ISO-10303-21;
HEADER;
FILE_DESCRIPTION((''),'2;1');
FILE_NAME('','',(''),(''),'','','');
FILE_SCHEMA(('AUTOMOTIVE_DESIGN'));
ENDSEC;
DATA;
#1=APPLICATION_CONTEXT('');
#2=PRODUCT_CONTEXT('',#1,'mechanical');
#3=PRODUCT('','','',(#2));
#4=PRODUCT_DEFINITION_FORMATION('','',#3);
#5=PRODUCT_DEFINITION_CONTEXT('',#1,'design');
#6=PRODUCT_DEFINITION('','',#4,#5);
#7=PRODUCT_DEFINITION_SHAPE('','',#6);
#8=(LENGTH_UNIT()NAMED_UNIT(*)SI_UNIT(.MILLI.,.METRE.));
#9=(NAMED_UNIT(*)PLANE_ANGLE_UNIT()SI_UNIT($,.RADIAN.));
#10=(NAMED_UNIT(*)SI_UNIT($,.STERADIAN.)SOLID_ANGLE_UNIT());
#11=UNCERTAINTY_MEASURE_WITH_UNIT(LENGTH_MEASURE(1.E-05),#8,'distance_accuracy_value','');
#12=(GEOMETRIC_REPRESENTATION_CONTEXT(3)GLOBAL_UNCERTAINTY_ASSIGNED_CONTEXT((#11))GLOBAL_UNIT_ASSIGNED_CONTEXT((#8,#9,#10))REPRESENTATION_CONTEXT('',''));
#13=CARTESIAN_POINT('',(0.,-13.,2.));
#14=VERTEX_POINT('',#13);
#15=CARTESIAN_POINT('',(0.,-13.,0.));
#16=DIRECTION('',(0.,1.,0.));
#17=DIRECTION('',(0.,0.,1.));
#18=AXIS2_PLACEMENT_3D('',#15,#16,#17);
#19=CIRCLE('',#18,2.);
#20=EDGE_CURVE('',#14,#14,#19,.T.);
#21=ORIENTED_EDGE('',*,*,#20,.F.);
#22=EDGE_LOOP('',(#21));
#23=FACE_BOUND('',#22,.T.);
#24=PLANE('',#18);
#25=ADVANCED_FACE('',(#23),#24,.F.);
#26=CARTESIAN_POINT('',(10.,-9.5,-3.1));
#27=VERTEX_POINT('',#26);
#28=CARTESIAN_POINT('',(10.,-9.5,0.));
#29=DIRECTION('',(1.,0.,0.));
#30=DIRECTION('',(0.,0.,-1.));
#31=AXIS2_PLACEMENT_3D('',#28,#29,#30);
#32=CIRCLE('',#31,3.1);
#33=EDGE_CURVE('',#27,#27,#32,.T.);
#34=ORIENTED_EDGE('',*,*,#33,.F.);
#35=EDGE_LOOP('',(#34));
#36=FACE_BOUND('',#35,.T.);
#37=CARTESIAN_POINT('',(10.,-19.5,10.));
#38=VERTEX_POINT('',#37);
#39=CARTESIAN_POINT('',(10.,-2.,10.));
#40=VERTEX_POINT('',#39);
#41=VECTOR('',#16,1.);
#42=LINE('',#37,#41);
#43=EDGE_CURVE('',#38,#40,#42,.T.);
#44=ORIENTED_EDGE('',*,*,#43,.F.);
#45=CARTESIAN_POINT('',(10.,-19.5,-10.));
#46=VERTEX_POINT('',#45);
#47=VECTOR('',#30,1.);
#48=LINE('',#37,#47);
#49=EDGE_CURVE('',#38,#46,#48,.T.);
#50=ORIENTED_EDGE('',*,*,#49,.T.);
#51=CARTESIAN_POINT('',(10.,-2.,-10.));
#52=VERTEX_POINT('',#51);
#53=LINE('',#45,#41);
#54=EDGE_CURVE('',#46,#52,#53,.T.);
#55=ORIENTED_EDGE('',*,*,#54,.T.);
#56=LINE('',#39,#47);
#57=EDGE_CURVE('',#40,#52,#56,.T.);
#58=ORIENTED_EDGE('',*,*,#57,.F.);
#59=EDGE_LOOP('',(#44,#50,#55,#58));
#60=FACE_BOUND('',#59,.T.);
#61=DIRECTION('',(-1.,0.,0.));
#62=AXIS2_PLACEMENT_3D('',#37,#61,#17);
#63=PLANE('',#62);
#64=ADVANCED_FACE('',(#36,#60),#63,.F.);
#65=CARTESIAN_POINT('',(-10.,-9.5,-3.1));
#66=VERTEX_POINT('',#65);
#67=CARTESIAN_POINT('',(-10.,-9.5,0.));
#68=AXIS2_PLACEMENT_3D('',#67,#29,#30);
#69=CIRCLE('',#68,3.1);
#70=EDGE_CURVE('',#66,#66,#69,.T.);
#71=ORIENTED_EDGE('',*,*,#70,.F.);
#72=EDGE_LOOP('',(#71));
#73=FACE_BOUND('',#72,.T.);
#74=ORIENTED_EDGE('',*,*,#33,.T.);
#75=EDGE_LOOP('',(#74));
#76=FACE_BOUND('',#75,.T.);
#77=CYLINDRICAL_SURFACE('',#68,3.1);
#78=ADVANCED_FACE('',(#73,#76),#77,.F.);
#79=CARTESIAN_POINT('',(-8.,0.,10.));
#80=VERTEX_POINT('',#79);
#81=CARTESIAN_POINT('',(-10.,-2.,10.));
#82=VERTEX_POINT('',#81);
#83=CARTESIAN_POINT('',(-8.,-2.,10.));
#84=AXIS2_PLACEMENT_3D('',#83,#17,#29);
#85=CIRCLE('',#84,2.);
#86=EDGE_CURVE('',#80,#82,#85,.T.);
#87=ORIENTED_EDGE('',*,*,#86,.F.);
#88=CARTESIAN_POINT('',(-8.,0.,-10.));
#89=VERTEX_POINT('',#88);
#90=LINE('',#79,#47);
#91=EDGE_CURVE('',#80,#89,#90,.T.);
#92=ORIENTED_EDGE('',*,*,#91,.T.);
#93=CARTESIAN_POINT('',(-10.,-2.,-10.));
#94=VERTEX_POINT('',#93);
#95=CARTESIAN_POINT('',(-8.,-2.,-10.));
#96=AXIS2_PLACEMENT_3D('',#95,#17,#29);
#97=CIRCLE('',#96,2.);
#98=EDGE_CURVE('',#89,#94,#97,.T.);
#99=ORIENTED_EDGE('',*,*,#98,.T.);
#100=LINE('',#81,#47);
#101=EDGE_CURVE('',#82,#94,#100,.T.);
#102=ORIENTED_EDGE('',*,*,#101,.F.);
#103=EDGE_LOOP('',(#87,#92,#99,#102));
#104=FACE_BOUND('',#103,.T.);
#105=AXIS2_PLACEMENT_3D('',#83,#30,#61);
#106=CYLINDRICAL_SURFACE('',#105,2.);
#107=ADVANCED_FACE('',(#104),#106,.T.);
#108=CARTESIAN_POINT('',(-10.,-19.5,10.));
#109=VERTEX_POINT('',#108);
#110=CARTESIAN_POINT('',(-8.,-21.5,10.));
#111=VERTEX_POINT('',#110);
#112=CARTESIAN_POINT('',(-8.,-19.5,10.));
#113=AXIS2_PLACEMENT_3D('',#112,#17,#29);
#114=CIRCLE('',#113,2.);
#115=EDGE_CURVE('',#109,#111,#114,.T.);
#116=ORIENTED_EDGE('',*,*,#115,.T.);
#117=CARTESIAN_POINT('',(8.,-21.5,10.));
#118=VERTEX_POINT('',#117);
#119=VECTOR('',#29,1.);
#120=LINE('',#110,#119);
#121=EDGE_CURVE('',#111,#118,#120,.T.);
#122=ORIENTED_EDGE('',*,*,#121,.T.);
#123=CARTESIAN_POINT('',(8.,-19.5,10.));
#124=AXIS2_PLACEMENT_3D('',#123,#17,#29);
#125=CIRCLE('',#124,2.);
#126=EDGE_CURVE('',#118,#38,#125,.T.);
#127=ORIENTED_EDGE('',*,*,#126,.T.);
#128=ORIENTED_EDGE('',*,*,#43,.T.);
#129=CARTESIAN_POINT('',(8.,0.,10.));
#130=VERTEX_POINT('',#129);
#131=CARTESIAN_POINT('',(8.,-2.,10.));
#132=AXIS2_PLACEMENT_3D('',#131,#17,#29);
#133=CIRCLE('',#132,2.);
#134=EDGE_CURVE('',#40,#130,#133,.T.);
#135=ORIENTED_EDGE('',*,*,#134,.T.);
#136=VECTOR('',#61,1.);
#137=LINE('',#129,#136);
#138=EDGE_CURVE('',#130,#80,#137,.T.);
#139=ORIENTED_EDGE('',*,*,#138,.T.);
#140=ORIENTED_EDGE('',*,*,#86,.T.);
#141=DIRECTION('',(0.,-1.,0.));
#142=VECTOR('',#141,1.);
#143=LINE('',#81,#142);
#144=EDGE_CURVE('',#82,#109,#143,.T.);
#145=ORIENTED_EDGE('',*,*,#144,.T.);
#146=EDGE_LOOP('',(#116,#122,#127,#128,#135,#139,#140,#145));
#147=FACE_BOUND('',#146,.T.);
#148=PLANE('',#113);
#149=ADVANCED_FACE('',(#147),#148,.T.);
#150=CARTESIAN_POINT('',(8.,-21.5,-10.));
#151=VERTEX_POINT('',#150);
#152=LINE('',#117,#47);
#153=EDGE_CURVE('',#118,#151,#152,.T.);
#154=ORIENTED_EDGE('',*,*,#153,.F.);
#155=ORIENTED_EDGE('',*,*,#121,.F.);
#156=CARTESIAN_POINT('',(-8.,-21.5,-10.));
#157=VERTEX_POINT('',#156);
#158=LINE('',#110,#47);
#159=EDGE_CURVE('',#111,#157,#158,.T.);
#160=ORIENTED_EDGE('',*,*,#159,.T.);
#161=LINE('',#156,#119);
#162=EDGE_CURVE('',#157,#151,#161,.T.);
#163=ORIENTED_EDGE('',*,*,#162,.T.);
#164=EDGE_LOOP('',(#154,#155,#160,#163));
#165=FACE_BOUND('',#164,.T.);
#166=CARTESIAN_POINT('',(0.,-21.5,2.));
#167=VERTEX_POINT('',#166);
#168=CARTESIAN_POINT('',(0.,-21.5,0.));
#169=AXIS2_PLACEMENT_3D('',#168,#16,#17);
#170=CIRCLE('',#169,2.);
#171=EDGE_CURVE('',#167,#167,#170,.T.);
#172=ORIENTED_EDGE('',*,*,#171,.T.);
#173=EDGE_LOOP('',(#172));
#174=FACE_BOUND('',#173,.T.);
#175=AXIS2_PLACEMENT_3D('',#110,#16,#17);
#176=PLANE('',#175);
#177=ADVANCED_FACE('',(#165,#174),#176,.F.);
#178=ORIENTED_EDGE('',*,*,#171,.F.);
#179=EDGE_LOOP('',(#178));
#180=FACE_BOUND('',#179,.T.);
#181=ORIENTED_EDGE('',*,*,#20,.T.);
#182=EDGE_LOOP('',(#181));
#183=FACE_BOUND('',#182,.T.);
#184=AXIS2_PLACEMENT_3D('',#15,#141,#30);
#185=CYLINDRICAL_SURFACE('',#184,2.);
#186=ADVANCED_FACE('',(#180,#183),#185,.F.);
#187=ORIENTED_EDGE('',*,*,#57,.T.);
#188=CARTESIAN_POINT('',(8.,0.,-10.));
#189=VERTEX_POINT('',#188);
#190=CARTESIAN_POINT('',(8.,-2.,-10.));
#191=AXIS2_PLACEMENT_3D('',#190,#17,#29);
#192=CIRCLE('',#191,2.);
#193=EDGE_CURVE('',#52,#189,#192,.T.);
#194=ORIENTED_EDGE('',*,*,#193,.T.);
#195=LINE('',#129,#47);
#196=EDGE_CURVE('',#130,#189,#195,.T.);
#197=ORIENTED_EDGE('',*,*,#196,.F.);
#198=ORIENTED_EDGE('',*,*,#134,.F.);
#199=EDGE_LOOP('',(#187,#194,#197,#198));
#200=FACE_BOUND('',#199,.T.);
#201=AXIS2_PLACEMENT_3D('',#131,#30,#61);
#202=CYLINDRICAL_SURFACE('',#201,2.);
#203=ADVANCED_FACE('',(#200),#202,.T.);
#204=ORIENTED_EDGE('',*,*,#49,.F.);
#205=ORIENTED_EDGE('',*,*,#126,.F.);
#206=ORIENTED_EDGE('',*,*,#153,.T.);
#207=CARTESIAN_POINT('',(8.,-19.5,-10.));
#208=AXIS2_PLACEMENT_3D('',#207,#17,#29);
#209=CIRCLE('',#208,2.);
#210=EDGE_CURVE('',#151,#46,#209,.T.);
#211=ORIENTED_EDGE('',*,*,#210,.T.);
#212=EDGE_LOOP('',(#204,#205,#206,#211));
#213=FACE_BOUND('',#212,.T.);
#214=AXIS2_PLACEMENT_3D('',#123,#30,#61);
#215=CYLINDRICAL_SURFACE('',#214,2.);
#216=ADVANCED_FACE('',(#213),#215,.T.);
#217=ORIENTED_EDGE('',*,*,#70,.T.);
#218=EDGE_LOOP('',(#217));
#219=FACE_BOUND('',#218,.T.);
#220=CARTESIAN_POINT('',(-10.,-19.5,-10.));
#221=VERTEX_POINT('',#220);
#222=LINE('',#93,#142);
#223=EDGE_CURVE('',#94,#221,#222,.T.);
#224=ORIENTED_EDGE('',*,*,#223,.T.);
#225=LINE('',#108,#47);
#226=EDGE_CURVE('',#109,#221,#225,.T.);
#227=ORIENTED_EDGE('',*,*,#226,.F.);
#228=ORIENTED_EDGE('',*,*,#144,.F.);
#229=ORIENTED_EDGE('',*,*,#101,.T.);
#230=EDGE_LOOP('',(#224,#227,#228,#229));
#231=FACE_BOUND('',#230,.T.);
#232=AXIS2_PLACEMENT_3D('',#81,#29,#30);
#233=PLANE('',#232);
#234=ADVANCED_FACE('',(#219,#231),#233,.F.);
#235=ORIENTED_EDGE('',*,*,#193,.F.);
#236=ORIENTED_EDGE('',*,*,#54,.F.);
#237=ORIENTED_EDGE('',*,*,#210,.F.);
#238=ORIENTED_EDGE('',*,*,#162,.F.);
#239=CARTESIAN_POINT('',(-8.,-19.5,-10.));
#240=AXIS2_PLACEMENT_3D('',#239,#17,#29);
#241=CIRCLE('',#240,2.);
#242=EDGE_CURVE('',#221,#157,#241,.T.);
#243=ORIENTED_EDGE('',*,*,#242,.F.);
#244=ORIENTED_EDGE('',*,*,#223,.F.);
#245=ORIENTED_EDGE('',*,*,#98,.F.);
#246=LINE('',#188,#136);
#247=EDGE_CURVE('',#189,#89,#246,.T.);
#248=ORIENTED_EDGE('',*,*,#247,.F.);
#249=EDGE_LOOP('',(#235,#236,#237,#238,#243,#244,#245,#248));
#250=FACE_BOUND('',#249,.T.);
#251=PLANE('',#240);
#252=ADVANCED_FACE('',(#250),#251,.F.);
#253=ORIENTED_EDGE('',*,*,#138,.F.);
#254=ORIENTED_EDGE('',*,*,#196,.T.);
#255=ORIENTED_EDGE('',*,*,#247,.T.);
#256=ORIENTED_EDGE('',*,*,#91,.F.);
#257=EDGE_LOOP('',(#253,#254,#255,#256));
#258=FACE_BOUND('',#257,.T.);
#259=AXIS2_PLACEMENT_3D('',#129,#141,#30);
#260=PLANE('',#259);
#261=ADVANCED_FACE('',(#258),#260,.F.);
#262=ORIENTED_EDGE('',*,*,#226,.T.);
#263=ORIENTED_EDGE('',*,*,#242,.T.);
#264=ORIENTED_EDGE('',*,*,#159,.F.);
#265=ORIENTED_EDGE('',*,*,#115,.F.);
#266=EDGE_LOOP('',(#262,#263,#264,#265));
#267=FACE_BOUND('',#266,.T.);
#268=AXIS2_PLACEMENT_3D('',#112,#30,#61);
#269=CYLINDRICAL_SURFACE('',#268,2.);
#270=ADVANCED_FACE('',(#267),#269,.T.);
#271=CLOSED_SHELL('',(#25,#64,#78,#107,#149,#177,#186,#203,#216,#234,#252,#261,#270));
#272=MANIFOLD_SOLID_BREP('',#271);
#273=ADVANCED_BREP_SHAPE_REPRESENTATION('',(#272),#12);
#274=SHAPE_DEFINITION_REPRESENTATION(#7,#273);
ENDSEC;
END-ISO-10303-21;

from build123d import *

# Parameters (mm, degrees)
BOSS_EXTRUDE1_DEPTH     = 10
CUT_EXTRUDE1_DEPTH      = 26.734218465
CUT_EXTRUDE1_DEPTH_BACK = 26.734218465
SKETCH2_R               = 3.1
SKETCH3_R               = 2
CUT_EXTRUDE2_DEPTH      = 8.5


with BuildPart() as part:
    # Sketch1 → Boss-Extrude1 (new, symmetric)
    with BuildSketch(Plane.XY):
        with BuildLine():
            Line((-8, -21.5), (8, -21.5))
            ThreePointArc((8, -21.5), (9.414213562, -20.914213562), (10, -19.5))
            Line((10, -19.5), (10, -2))
            ThreePointArc((10, -2), (9.414213562, -0.585786438), (8, 0))
            Line((8, 0), (-8, 0))
            ThreePointArc((-8, 0), (-9.414213562, -0.585786438), (-10, -2))
            Line((-10, -2), (-10, -19.5))
            ThreePointArc((-10, -19.5), (-9.414213562, -20.914213562), (-8, -21.5))
        make_face()
    extrude(amount=BOSS_EXTRUDE1_DEPTH, both=True)

    # Sketch2 → Cut-Extrude1 (cut, two sides: drawn at the far end of the back side and taken through both)
    with BuildSketch(Plane(origin=(0, 0, 0), x_dir=(0, 0, -1), z_dir=(1, 0, 0)).offset(-CUT_EXTRUDE1_DEPTH_BACK)):
        with Locations((0, -9.5)):
            Circle(SKETCH2_R)
    extrude(amount=CUT_EXTRUDE1_DEPTH + CUT_EXTRUDE1_DEPTH_BACK, mode=Mode.SUBTRACT)

    # Sketch3 → Cut-Extrude2 (cut)
    with BuildSketch(Plane(origin=(0, -21.5, 0), x_dir=(1, 0, 0), z_dir=(0, 1, 0))):
        with Locations(Location((0, 0, 0), (0, 0, 270))):
            Circle(SKETCH3_R)
    extrude(amount=CUT_EXTRUDE2_DEPTH, mode=Mode.SUBTRACT)


solid = part.part
